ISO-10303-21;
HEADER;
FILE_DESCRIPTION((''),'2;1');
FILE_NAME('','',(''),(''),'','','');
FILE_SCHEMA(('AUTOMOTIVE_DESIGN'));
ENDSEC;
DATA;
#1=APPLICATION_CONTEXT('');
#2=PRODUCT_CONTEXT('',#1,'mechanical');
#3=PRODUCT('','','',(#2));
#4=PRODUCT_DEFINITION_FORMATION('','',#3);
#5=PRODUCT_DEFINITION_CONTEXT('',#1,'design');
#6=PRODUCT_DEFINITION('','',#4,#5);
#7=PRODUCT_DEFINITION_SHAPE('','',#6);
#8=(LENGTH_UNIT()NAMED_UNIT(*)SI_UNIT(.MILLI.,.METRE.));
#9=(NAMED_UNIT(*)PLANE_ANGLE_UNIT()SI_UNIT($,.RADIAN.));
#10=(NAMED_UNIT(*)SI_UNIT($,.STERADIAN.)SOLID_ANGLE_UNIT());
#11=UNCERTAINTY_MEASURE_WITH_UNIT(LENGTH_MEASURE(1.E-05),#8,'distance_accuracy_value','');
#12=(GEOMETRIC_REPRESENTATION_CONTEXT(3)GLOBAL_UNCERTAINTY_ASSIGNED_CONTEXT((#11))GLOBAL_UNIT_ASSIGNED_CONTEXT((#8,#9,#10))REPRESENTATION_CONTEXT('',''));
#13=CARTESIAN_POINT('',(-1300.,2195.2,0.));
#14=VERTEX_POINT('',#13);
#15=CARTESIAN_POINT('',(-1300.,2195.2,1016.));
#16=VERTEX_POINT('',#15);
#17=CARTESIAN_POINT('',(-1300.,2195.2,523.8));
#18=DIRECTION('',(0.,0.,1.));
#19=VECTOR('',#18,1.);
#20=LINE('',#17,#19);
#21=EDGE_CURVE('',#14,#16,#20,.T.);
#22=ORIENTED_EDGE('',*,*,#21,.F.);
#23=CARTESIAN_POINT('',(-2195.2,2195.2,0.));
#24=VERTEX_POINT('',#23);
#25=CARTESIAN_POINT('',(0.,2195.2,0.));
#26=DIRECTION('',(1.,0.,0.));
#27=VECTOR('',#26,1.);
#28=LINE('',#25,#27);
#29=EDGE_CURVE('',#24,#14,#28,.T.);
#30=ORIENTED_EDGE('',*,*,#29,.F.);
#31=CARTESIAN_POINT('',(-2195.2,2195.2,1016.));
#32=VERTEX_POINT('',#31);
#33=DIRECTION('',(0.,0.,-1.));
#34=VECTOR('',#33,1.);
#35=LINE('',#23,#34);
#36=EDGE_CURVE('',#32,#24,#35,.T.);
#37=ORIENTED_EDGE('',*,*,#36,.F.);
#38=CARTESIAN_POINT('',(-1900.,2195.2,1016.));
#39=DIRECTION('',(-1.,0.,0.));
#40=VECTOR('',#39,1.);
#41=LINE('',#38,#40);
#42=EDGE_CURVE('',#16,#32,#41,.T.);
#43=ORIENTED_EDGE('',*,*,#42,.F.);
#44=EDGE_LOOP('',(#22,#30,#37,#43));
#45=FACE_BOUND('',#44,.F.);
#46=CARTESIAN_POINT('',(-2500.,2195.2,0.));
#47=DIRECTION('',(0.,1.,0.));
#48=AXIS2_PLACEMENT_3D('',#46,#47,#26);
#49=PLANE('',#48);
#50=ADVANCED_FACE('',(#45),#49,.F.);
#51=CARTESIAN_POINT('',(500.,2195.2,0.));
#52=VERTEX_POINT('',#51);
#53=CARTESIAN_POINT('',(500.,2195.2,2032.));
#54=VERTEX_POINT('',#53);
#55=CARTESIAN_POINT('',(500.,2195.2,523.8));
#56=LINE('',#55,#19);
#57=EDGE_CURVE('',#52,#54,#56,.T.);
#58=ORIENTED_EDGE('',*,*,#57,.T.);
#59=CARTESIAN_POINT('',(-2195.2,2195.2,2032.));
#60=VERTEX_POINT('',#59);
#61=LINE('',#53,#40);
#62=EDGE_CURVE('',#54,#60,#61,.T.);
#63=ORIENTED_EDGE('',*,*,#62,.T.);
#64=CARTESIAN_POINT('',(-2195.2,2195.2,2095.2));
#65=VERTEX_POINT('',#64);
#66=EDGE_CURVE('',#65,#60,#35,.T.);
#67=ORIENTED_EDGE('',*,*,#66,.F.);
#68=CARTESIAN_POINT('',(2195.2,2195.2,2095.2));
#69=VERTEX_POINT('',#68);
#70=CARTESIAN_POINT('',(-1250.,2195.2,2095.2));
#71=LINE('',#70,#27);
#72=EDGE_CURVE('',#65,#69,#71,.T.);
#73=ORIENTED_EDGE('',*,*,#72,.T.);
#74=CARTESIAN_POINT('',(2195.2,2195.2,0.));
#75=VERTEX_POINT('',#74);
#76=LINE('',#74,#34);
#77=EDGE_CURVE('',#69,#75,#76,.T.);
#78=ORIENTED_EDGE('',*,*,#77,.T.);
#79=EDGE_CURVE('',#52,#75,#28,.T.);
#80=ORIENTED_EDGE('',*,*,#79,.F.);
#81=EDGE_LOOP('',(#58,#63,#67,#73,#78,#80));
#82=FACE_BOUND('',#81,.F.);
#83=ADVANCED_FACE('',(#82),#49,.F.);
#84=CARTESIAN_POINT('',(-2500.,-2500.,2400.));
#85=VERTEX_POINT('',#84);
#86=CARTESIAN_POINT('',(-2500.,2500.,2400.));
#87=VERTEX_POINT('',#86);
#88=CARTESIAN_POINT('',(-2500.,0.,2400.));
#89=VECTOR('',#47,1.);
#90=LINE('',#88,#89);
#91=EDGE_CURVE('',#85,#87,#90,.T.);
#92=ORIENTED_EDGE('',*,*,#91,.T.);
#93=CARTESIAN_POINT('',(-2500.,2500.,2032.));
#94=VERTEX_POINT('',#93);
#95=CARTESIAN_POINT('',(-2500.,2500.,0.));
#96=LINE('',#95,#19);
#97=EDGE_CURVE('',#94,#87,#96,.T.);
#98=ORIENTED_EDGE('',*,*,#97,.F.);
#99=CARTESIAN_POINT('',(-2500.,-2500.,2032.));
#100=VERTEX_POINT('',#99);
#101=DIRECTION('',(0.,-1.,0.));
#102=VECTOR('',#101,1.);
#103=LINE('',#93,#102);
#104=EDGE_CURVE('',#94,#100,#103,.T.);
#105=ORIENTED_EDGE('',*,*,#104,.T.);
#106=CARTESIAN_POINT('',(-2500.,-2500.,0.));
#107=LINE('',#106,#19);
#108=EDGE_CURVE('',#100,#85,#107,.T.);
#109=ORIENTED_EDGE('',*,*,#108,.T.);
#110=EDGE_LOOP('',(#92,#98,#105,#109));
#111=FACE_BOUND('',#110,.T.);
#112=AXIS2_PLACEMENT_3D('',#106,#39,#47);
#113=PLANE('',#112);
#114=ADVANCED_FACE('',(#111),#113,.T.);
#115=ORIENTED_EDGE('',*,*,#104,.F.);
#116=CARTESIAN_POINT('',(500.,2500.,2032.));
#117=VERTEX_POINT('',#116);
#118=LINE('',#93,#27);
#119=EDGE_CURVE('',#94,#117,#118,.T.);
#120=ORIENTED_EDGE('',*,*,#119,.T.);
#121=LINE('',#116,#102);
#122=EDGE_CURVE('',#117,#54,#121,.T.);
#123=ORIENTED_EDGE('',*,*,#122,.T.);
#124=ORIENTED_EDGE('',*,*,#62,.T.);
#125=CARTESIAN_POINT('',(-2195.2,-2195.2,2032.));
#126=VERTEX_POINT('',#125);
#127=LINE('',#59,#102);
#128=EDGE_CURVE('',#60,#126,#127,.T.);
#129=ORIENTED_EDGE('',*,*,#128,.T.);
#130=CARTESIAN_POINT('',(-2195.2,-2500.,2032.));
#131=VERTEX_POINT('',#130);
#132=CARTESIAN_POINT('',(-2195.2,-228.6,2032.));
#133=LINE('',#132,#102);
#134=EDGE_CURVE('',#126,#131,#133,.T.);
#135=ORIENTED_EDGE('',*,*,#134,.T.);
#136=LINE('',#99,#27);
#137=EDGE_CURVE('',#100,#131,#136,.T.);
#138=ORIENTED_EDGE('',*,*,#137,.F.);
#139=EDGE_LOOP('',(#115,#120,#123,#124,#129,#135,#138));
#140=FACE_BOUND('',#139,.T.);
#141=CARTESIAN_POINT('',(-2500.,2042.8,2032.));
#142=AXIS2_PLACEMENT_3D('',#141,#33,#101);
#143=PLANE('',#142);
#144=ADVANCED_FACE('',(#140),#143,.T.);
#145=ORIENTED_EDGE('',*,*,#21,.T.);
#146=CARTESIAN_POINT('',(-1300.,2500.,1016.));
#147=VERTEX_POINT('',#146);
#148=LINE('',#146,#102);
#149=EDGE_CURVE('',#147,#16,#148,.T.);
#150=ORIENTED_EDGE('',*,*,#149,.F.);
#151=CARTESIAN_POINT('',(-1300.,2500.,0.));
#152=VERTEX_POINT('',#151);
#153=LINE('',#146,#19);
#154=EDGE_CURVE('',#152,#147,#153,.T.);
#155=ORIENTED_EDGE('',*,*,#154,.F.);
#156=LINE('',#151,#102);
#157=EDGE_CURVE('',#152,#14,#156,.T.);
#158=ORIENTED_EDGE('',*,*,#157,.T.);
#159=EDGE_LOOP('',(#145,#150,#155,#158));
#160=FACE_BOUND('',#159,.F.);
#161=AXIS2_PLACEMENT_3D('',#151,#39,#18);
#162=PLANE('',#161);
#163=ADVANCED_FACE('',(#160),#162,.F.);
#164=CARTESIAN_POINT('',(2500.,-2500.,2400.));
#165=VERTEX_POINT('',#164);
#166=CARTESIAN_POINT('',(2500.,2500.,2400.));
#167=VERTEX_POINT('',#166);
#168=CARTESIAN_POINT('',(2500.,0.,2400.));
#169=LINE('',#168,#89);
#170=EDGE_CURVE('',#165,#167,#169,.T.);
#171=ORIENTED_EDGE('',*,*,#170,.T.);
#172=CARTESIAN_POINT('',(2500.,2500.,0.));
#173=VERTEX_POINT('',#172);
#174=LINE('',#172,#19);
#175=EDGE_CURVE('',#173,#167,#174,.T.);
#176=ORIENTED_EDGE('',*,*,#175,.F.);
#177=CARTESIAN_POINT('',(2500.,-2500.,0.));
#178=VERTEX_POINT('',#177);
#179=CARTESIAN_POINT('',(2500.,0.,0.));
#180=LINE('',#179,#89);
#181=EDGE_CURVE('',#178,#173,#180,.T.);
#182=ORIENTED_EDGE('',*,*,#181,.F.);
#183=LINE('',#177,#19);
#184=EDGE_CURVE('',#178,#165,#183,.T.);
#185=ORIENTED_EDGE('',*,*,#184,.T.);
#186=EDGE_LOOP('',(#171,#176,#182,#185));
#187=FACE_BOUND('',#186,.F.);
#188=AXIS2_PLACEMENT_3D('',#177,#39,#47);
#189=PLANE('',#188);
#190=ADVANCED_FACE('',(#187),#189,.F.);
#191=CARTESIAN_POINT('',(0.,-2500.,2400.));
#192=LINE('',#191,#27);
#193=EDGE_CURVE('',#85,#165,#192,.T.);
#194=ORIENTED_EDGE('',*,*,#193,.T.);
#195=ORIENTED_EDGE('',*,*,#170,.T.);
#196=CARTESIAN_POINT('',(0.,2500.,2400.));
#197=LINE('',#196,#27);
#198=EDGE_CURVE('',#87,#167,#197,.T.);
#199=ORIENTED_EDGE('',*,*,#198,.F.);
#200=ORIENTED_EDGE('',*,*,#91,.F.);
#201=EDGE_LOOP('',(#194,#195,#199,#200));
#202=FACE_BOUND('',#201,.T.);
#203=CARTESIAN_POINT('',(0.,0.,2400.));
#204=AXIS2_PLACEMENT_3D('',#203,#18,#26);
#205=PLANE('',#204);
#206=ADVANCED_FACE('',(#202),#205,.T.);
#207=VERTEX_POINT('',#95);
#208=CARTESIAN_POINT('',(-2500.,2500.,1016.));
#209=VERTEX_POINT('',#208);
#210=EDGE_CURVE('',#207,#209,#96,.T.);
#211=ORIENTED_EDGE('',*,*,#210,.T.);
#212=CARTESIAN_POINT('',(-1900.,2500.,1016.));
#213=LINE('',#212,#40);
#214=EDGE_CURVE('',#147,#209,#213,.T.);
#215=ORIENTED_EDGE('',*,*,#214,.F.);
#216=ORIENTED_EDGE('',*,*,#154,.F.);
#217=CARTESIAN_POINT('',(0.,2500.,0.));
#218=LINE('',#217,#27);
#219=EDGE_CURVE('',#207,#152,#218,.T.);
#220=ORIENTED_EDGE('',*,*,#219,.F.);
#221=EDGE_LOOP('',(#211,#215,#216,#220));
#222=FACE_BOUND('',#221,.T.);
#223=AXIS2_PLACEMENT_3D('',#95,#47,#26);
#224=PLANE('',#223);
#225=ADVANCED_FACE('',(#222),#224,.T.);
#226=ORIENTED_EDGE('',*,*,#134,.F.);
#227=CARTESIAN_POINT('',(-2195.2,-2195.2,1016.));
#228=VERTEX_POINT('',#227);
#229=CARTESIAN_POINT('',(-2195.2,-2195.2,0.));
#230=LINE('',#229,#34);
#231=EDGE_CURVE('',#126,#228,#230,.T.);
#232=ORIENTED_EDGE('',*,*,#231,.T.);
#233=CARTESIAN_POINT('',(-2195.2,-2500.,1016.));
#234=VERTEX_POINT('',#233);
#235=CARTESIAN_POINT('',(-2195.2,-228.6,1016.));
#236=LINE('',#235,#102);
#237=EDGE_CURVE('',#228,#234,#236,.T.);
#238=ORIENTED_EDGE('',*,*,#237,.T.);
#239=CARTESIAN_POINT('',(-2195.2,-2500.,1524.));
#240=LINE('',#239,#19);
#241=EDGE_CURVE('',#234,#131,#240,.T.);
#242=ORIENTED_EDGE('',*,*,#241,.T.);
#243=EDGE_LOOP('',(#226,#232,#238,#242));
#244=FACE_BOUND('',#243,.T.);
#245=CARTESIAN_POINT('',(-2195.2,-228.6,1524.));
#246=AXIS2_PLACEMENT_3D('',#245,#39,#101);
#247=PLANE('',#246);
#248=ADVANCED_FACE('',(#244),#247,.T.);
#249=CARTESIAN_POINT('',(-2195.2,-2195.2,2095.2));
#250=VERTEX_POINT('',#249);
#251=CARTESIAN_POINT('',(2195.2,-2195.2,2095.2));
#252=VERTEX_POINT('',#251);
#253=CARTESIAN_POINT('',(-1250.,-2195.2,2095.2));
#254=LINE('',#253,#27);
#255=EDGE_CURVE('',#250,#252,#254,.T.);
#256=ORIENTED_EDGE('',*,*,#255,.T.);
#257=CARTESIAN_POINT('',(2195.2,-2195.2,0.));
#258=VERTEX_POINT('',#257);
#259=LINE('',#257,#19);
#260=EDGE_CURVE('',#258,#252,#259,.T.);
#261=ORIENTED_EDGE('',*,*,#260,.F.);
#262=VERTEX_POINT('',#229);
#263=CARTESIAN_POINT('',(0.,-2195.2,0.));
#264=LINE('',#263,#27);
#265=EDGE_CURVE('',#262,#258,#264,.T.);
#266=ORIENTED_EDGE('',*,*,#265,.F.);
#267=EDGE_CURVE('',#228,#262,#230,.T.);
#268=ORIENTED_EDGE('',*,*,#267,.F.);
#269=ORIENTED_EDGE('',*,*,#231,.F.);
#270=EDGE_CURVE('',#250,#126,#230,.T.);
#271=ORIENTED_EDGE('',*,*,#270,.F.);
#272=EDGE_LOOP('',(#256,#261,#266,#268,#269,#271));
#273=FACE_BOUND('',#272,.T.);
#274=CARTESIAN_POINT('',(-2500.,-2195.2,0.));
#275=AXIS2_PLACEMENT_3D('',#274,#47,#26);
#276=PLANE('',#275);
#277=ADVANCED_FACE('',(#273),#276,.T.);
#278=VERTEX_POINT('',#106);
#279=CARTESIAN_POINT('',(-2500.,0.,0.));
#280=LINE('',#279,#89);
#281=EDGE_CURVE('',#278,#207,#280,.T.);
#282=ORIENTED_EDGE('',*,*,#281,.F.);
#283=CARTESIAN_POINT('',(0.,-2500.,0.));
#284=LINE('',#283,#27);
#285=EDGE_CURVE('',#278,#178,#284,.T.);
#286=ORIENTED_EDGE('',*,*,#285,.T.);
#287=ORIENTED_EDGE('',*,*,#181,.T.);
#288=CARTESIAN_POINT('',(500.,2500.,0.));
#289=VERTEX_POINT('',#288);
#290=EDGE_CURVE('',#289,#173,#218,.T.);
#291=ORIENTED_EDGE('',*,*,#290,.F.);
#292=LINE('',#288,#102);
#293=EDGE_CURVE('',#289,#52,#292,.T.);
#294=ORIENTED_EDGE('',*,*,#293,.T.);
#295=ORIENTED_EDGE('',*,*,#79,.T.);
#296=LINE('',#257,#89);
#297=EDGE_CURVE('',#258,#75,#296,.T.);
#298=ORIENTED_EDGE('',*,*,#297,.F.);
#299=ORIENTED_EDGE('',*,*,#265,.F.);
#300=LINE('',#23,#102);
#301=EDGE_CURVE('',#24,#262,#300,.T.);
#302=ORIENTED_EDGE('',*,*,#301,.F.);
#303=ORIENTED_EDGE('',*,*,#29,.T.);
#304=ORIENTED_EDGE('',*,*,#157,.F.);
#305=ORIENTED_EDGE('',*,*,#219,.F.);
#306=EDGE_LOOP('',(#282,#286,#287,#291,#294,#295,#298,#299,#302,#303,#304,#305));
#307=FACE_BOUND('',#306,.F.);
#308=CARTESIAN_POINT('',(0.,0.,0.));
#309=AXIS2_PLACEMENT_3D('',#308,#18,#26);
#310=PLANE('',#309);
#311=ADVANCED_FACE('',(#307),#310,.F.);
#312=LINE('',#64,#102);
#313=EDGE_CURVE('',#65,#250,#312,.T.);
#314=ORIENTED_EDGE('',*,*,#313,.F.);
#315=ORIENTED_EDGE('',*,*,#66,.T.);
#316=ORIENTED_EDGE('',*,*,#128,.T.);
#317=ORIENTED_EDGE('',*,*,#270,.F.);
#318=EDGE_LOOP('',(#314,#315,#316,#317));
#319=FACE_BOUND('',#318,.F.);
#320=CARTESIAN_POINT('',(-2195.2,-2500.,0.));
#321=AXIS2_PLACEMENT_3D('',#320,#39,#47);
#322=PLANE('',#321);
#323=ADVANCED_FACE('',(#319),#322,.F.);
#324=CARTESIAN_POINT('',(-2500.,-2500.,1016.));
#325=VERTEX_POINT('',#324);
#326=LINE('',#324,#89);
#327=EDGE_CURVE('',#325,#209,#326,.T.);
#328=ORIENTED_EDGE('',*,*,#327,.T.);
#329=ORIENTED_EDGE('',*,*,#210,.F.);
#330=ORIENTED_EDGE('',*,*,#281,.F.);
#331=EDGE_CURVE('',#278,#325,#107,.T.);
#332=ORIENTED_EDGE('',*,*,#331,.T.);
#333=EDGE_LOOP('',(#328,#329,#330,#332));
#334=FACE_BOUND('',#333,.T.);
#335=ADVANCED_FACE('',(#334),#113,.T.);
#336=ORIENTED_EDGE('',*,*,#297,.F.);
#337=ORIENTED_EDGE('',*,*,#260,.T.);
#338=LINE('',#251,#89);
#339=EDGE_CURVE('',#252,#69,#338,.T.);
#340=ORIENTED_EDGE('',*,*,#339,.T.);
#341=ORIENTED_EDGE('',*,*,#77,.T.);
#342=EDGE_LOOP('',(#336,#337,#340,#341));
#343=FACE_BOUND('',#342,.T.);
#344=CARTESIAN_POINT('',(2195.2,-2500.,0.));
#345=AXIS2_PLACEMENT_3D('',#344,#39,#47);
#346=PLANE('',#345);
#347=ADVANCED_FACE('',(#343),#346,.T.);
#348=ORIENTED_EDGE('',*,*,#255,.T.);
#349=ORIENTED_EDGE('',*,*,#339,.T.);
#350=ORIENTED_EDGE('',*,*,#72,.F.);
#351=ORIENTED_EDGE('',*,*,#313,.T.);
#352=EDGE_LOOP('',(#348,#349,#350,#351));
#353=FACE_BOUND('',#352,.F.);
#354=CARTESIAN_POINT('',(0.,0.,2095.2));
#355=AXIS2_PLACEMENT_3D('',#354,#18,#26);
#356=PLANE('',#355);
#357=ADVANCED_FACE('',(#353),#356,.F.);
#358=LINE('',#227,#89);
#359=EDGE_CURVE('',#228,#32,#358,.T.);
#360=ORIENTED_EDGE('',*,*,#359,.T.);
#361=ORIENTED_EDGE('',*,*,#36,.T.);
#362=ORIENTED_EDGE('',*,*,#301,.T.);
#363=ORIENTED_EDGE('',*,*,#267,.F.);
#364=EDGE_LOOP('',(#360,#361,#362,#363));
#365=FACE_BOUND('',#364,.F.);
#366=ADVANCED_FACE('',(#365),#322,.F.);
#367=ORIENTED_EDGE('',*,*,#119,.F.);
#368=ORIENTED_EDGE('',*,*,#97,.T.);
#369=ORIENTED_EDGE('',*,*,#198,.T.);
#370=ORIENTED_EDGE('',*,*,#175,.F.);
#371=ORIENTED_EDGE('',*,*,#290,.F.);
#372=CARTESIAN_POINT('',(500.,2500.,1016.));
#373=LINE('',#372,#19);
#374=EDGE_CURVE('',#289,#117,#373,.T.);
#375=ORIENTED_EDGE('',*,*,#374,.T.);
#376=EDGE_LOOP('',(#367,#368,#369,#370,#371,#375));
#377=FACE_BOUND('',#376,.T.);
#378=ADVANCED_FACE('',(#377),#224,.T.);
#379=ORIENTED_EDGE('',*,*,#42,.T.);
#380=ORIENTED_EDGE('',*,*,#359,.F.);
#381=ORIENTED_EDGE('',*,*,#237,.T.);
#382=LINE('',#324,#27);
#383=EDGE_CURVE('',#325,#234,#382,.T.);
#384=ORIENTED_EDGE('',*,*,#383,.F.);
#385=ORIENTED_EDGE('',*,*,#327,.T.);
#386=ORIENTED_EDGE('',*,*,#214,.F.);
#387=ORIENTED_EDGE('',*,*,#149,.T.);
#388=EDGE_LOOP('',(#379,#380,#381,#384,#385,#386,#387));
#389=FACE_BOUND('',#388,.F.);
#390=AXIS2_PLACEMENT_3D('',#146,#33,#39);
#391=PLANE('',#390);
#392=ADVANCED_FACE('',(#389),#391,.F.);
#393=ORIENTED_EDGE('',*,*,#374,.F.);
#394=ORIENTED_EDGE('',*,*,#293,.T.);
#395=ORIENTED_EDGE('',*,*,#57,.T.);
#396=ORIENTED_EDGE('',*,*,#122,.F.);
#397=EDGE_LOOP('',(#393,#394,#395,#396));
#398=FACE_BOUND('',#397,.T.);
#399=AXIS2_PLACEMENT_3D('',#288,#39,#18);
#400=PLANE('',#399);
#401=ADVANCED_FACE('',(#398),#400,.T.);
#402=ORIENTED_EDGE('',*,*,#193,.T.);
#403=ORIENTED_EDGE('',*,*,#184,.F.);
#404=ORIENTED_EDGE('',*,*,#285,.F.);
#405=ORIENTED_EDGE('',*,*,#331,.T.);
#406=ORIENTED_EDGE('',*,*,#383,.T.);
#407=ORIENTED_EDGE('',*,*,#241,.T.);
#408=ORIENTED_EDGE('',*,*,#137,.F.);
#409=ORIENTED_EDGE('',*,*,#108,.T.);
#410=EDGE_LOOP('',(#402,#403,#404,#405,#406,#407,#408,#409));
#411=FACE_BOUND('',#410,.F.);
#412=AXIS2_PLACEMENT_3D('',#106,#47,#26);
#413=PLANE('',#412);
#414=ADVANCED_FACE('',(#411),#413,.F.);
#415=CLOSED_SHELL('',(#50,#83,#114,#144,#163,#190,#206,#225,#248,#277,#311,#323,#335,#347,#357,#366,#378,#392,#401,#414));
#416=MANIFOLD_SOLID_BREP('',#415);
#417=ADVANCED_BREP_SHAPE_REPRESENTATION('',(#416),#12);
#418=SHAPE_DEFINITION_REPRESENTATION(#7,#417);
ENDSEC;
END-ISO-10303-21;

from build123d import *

# Parameters (mm, degrees)
F0_W      = 5000
F0_H      = 5000
F1_DEPTH  = 2400
F2_T      = -304.8
F3_W      = 1800
F3_H      = 2032
F2_FACE_W = 4390.4
F2_FACE_H = 2095.2
F4_DEPTH  = 457.2
F5_W      = 1200
F5_H      = 1016
F6_DEPTH  = 457.2
F7_W      = 4542.8
F7_H      = 1016
F8_DEPTH  = 304.8


with BuildPart() as f1:
    # F0 (on Top) → F1 (new body)
    with BuildSketch(Plane.XY):
        Rectangle(F0_W, F0_H)
    extrude(amount=F1_DEPTH)

    # F2
    f2_openings = [f1.faces().sort_by_distance(p)[0] for p in [
        (0, 0, 0),
    ]]
    offset(amount=F2_T, openings=f2_openings)

    # F3 (on face) + F2_face (on face) → F4 (cut)
    with BuildSketch(Plane(origin=(0, 2500, 0), x_dir=(-1, 0, 0), z_dir=(0, 1, 0))):
        with Locations((400, 1016)):
            Rectangle(F3_W, F3_H)
    with BuildSketch(Plane(origin=(0, 2195.2, 1047.6), x_dir=(1, 0, 0), z_dir=(0, -1, 0))):
        Rectangle(F2_FACE_W, F2_FACE_H)
    extrude(amount=-F4_DEPTH, dir=(0, 1, 0), mode=Mode.SUBTRACT)

    # F5 (on face) → F6 (cut)
    with BuildSketch(Plane(origin=(0, 2500, 0), x_dir=(-1, 0, 0), z_dir=(0, 1, 0))):
        with Locations((1900, 1524)):
            Rectangle(F5_W, F5_H)
    extrude(amount=-F6_DEPTH, mode=Mode.SUBTRACT)

    # F7 (on face) → F8 (cut)
    with BuildSketch(Plane(origin=(-2500, 0, 0), x_dir=(0, -1, 0), z_dir=(-1, 0, 0))):
        with Locations((228.6, 1524)):
            Rectangle(F7_W, F7_H)
    extrude(amount=-F8_DEPTH, mode=Mode.SUBTRACT)


solid = f1.part
